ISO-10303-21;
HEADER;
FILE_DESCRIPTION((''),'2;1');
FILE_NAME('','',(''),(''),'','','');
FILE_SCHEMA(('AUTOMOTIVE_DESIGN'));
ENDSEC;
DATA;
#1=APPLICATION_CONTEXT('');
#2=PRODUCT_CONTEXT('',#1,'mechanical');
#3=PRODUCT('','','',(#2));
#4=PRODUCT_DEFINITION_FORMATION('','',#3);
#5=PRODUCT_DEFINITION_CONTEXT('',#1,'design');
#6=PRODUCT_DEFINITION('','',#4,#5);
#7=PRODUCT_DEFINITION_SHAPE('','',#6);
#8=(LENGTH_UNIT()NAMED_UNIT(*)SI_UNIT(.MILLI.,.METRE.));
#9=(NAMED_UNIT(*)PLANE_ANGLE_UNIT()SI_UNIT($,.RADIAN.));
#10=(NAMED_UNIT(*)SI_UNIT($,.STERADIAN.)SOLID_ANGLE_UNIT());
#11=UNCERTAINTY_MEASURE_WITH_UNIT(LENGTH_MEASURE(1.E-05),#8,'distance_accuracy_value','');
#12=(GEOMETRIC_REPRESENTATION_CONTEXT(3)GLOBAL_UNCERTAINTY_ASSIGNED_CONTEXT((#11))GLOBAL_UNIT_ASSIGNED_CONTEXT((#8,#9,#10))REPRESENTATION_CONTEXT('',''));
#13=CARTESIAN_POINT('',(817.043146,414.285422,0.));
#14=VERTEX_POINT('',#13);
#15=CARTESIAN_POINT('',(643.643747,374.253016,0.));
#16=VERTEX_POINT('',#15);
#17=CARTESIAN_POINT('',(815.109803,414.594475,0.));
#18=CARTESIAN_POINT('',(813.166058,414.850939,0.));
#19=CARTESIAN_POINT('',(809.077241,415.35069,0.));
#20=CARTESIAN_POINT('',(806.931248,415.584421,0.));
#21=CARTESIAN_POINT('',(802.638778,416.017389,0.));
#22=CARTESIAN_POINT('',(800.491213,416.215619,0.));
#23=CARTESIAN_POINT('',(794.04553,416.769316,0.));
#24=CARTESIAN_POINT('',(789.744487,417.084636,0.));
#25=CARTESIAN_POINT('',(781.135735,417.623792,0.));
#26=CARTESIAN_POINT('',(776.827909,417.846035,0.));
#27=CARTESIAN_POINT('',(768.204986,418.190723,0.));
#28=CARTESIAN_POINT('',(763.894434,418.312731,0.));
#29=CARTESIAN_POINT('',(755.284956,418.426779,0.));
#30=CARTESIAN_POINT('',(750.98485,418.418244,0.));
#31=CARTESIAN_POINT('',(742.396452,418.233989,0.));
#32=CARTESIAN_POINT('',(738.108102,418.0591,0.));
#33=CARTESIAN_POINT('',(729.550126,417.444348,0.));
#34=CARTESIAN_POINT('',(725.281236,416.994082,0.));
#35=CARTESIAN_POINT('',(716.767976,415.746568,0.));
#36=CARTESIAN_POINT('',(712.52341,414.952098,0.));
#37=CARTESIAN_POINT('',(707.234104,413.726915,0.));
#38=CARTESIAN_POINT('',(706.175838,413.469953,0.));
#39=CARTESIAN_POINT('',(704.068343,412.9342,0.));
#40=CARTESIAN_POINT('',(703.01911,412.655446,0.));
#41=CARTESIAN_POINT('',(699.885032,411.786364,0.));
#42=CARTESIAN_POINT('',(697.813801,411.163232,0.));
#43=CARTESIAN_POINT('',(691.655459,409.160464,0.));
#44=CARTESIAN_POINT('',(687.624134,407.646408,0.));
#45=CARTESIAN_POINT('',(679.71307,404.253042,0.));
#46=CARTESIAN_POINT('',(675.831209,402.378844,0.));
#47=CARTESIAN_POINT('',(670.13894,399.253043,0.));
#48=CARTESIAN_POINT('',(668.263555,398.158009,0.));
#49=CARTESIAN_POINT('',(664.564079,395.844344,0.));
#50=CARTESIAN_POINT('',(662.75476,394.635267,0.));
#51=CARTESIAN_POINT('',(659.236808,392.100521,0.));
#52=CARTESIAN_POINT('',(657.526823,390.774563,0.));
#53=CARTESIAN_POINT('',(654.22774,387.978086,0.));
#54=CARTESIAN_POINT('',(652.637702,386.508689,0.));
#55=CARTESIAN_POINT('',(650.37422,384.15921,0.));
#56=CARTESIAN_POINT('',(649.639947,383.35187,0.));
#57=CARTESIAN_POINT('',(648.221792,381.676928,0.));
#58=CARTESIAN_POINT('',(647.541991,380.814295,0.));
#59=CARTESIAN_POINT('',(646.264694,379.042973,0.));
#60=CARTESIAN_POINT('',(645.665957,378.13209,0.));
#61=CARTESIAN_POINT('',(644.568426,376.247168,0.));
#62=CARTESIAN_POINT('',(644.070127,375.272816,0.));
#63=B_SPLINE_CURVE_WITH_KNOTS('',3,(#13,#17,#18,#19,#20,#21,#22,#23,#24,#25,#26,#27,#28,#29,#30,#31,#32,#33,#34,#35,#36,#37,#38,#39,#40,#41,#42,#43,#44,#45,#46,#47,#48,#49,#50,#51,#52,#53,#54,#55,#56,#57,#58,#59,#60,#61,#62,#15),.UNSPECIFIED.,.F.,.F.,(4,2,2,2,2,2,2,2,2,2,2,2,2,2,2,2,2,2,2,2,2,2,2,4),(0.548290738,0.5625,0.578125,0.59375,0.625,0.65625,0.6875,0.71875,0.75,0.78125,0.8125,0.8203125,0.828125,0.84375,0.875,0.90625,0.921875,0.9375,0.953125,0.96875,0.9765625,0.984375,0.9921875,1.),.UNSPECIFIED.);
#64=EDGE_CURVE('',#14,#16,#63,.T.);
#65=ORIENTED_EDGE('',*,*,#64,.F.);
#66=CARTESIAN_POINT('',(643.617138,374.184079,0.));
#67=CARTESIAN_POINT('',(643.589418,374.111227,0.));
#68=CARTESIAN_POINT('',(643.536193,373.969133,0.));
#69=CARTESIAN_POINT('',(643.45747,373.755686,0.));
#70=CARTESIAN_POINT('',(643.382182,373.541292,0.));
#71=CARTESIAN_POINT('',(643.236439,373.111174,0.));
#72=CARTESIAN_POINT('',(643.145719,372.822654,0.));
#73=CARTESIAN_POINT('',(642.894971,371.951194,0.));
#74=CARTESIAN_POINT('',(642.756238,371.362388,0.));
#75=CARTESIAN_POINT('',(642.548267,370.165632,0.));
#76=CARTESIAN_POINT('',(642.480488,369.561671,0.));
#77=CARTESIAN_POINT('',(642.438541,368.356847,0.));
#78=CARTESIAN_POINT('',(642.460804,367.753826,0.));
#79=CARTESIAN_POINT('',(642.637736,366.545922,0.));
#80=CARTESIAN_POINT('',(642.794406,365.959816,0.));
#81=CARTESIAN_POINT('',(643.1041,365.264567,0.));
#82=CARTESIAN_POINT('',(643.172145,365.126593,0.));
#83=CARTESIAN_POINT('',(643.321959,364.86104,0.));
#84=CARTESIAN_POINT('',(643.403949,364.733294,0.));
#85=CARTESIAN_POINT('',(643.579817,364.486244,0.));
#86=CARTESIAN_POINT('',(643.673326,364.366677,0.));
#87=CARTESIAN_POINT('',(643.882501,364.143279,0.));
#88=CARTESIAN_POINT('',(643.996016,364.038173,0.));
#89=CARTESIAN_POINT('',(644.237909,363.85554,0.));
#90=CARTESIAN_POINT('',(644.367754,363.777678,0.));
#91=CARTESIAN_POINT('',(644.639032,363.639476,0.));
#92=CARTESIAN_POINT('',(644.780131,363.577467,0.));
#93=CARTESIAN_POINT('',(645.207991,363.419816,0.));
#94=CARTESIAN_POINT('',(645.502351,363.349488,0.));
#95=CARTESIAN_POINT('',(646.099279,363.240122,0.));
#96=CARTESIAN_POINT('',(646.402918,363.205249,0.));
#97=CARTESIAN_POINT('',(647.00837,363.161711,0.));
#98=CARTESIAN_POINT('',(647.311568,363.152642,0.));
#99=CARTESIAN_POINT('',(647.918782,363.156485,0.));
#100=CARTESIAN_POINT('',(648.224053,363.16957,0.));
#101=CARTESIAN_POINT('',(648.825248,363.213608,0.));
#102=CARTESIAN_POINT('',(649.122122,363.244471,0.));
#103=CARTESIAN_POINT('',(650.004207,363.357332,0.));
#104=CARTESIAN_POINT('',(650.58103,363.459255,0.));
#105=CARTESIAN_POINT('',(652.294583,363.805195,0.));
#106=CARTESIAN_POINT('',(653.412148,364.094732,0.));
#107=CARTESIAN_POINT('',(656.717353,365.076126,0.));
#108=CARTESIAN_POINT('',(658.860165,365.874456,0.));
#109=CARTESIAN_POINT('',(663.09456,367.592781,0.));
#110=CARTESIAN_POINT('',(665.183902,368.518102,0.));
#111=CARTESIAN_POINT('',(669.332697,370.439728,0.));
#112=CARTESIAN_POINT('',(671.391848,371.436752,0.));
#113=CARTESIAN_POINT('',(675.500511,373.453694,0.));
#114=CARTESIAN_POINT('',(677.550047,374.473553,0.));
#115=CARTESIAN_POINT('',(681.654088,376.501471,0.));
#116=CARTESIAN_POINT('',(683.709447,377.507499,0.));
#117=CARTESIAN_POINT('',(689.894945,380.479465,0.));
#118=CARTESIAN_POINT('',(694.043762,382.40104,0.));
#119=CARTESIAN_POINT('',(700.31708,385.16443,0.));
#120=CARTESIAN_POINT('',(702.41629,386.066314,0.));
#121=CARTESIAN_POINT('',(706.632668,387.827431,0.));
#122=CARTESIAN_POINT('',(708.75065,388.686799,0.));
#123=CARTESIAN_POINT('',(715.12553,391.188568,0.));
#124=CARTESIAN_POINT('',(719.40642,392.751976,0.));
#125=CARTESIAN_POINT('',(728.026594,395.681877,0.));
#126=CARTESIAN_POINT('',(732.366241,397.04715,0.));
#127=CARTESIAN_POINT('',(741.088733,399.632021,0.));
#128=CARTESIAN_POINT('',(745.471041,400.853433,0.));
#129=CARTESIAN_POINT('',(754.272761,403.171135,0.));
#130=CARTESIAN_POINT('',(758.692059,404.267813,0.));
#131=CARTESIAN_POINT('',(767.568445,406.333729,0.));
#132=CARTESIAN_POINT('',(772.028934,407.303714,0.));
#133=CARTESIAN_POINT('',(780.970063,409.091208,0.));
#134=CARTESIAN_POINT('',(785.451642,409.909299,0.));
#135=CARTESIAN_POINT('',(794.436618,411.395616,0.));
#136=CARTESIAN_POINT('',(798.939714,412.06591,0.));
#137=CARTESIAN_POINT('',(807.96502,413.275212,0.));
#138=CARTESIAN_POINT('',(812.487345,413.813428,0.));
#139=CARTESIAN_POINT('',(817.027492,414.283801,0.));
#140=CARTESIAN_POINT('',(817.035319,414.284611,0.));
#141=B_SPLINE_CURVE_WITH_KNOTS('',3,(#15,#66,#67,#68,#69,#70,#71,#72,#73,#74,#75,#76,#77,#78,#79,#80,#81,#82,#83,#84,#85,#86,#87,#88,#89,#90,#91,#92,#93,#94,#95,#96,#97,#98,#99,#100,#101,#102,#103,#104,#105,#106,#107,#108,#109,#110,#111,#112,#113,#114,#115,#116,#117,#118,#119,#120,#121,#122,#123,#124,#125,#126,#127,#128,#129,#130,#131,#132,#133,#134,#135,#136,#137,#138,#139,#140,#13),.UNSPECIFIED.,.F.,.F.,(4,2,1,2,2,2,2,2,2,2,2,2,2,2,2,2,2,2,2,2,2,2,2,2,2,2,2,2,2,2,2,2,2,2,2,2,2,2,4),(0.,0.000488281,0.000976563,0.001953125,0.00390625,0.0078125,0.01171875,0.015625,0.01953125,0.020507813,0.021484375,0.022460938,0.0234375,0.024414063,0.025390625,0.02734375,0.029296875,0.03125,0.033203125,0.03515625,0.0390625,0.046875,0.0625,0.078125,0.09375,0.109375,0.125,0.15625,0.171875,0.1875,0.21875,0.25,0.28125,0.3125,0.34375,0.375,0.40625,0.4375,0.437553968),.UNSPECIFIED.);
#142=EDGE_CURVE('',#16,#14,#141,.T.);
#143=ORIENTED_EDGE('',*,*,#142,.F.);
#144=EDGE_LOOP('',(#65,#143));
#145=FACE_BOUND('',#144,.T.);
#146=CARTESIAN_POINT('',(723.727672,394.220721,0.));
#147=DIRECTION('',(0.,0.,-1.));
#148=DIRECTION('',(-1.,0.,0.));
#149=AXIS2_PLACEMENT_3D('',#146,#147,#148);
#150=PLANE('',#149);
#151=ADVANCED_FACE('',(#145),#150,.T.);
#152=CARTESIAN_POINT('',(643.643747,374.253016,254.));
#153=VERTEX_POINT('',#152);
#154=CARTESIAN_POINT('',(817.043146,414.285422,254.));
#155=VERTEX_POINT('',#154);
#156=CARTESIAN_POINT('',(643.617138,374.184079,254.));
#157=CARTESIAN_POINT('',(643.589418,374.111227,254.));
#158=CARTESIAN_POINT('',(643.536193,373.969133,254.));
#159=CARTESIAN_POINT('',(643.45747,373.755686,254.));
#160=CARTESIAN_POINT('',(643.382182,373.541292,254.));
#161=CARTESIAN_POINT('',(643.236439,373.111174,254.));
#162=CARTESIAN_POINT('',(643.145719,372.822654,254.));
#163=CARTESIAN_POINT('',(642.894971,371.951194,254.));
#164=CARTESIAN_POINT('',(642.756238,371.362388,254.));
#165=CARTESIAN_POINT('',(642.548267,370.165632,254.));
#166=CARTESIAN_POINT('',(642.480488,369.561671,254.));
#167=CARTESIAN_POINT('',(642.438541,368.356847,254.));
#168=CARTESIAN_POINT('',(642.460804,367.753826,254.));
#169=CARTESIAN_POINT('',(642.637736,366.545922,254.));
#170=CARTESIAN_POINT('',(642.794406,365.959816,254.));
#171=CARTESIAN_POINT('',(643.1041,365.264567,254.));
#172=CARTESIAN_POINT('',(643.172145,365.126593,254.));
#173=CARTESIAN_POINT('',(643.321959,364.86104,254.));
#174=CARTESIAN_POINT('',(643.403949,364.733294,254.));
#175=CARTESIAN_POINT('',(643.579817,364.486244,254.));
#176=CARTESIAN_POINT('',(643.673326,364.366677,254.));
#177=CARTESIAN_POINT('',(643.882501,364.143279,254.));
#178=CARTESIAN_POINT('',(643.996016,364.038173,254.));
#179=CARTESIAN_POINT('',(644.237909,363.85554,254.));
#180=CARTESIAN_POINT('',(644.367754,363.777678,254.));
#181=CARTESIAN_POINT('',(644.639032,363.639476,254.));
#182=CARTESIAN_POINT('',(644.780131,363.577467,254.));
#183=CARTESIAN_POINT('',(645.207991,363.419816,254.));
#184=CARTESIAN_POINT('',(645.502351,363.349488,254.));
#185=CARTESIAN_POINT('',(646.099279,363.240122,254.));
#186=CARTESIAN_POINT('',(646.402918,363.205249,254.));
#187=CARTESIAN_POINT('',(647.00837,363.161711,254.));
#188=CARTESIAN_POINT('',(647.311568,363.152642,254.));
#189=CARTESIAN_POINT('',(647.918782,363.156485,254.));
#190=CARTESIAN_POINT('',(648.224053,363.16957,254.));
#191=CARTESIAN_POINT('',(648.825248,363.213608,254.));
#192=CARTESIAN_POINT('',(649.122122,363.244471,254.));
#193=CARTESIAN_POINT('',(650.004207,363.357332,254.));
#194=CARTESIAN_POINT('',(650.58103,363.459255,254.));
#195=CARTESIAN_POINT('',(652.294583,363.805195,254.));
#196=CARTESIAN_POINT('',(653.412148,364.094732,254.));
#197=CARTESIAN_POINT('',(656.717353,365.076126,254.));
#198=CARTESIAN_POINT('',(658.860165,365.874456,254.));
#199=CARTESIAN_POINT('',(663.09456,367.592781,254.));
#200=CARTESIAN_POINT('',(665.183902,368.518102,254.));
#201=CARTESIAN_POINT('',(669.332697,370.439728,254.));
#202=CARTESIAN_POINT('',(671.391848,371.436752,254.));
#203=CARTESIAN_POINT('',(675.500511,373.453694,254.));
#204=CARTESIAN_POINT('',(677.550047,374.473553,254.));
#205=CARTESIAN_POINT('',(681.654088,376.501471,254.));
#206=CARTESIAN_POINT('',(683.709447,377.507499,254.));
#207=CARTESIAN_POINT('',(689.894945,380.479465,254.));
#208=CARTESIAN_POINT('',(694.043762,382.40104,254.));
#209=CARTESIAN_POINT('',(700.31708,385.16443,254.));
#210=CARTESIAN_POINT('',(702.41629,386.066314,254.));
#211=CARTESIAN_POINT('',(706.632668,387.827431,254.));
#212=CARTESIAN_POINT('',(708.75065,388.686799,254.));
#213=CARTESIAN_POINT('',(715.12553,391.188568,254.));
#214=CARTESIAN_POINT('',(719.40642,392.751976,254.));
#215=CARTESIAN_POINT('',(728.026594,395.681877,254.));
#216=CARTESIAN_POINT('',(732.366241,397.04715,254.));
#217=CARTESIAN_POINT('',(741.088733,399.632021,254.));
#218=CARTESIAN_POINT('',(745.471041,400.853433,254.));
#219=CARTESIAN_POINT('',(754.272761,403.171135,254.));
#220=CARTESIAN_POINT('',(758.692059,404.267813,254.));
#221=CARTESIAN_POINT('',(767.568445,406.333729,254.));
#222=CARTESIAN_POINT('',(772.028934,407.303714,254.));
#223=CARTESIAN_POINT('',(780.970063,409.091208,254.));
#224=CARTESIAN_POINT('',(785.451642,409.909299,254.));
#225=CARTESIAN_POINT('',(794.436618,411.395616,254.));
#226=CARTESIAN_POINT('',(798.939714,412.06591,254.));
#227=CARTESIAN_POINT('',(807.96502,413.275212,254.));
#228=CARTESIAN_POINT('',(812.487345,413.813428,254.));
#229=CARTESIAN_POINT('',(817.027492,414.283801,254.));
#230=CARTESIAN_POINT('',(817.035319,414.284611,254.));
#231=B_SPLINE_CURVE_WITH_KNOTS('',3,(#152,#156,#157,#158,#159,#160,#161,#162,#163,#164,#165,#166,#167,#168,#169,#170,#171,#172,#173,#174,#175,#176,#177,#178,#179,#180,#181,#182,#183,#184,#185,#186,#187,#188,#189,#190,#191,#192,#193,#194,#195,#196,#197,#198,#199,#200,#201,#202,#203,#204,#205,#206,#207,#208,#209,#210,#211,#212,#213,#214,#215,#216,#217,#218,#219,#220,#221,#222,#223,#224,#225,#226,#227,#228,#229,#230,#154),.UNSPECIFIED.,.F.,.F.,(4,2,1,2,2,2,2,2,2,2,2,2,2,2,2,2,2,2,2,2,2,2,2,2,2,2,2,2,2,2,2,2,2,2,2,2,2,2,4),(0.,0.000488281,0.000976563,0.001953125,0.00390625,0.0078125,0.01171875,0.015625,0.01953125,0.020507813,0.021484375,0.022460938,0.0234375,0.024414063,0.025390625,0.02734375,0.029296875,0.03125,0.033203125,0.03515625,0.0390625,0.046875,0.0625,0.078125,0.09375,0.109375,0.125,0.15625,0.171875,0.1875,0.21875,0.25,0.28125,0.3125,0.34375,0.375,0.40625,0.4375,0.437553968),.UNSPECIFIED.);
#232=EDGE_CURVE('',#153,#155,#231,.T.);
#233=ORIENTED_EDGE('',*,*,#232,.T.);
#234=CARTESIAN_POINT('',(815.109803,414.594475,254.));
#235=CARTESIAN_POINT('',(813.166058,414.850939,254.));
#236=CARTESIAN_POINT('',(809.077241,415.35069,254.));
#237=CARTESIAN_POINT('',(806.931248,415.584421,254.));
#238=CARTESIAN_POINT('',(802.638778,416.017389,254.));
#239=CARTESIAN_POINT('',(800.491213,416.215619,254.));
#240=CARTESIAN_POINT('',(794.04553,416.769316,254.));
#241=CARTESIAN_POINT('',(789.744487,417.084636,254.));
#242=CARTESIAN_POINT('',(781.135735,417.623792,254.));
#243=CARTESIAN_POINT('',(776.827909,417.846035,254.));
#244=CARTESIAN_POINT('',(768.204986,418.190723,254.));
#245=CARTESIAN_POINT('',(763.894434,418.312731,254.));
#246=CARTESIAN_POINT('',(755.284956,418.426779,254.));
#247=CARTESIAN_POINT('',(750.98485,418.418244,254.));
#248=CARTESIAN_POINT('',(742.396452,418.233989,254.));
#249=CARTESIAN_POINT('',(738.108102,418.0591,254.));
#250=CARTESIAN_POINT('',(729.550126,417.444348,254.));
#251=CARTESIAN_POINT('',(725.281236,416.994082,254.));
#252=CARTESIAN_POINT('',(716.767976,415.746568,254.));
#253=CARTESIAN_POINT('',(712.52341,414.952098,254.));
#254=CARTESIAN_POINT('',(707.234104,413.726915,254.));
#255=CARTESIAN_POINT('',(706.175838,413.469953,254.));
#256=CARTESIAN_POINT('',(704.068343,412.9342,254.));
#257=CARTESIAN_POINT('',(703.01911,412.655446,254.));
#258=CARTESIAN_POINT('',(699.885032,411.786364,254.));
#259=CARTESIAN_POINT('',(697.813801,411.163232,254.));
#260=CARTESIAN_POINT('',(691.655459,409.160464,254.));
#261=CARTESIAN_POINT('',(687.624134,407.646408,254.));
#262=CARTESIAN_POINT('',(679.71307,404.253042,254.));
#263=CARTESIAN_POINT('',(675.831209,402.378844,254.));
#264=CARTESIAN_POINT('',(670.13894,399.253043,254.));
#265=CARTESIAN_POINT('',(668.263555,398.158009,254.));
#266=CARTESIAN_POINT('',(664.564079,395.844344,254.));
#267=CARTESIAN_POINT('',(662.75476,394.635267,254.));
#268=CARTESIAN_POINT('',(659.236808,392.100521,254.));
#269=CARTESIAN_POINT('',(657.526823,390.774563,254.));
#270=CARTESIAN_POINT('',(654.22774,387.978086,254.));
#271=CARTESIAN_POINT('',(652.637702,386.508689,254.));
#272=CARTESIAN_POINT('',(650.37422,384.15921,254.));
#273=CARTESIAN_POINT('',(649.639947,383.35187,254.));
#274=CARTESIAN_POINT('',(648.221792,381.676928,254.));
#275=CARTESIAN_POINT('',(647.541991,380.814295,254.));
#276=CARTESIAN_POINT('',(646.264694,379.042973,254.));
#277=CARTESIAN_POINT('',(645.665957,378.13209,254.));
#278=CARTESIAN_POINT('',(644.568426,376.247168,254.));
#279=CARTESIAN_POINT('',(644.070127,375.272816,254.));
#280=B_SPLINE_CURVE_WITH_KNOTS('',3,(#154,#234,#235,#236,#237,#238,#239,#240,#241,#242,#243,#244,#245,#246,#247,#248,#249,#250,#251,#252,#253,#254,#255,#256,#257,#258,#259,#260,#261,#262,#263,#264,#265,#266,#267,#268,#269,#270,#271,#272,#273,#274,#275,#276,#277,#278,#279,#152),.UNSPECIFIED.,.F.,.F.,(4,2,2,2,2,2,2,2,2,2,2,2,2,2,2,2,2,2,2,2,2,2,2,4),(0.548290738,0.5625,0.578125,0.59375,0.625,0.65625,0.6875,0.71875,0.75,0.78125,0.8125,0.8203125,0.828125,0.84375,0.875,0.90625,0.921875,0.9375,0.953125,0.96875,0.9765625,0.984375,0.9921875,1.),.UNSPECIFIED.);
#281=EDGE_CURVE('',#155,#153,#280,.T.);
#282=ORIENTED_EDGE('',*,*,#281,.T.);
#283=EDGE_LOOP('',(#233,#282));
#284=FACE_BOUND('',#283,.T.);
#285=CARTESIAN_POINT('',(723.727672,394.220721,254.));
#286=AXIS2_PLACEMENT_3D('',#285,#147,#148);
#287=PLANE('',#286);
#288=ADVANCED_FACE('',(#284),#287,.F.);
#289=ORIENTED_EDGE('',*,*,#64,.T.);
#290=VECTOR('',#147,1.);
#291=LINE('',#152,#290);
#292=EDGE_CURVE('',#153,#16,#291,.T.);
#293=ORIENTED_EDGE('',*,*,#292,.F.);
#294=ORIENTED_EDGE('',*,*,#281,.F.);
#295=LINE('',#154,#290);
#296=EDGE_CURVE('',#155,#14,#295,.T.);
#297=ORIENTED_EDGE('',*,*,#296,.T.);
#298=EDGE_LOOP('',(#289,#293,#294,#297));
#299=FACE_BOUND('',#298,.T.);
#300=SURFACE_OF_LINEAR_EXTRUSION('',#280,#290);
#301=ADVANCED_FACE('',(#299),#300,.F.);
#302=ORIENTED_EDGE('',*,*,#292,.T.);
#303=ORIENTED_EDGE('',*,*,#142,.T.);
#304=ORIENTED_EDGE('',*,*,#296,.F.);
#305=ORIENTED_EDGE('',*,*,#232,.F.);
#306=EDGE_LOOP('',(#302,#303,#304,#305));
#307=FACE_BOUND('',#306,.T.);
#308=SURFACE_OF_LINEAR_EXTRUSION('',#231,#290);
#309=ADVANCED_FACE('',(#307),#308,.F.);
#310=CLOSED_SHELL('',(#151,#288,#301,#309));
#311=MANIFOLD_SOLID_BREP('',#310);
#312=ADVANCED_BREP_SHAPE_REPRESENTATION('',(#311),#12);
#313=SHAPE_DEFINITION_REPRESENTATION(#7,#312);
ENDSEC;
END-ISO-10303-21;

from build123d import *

# Parameters (mm, degrees)
BOSS_EXTRUDE1_DEPTH = 254


with BuildPart() as part:
    # Sketch4 → Boss-Extrude1 (new body)
    with BuildSketch(Plane.XY):
        with BuildLine():
            add(Edge.make_bspline(
                [(643.643746682, 374.253016038), (644.070127169, 375.272815676), (644.568425729, 376.247168181), (645.66595731, 378.132089752), (646.264693913, 379.04297252), (647.541990898, 380.814295075), (648.221792144, 381.676928327), (649.639946963, 383.35186971), (650.374220485, 384.159209796), (652.637702456, 386.508688506), (654.227739569, 387.97808557), (657.526822975, 390.774563344), (659.236808225, 392.100521211), (662.754760091, 394.635266564), (664.564078818, 395.844343958), (668.263555084, 398.158009043), (670.138940349, 399.253043278), (675.831208738, 402.378843705), (679.71306976, 404.25304174), (687.624134138, 407.646407586), (691.655458911, 409.160463714), (697.813800993, 411.163231515), (699.885031735, 411.786364282), (703.019109794, 412.655446416), (704.068342859, 412.934200147), (706.175837552, 413.46995274), (707.234104449, 413.726915239), (712.523410363, 414.952098085), (716.767976429, 415.746567548), (725.281236207, 416.994082048), (729.550126331, 417.444347706), (738.108101863, 418.059100463), (742.396452254, 418.233988614), (750.984850002, 418.418244009), (755.284956147, 418.426779362), (763.894434315, 418.312730873), (768.20498599, 418.190722932), (776.827909215, 417.846034605), (781.135734712, 417.62379177), (789.744487104, 417.084636103), (794.045530081, 416.769316274), (800.491212623, 416.215618502), (802.638777841, 416.01738948), (806.931247773, 415.584421162), (809.077241324, 415.350690101), (813.166057632, 414.850938767), (815.109802966, 414.594474514), (817.043146266, 414.285421762)],
                knots=[0.548290738, 0.548290738, 0.548290738, 0.548290738, 0.556103238, 0.556103238, 0.563915738, 0.563915738, 0.571728238, 0.571728238, 0.579540738, 0.579540738, 0.595165738, 0.595165738, 0.610790738, 0.610790738, 0.626415738, 0.626415738, 0.642040738, 0.642040738, 0.673290738, 0.673290738, 0.704540738, 0.704540738, 0.720165738, 0.720165738, 0.727978238, 0.727978238, 0.735790738, 0.735790738, 0.767040738, 0.767040738, 0.798290738, 0.798290738, 0.829540738, 0.829540738, 0.860790738, 0.860790738, 0.892040738, 0.892040738, 0.923290738, 0.923290738, 0.954540738, 0.954540738, 0.970165738, 0.970165738, 0.985790738, 0.985790738, 1, 1, 1, 1], degree=3))
            add(Edge.make_bspline(
                [(643.643746682, 374.253016038), (643.617138135, 374.184078824), (643.589417917, 374.111226627), (643.536192924, 373.969133145), (643.457469514, 373.755686011), (643.382181674, 373.541292436), (643.236438857, 373.111173912), (643.145718636, 372.822653661), (642.894970722, 371.951194052), (642.756237725, 371.362388362), (642.548266529, 370.165632327), (642.480488302, 369.561670508), (642.438540803, 368.356846725), (642.460803612, 367.753826324), (642.637736209, 366.545922031), (642.79440566, 365.95981624), (643.104100127, 365.264567081), (643.17214484, 365.126592853), (643.32195874, 364.861040293), (643.403948785, 364.733293977), (643.579817163, 364.486243652), (643.673325653, 364.366677003), (643.882500621, 364.143278901), (643.996016029, 364.038173213), (644.237909259, 363.855539706), (644.367754436, 363.777678285), (644.639031983, 363.639476204), (644.780130601, 363.57746722), (645.207990721, 363.419816375), (645.502350869, 363.349487624), (646.099278537, 363.240122132), (646.402918322, 363.205248637), (647.008369674, 363.16171122), (647.311567796, 363.152642426), (647.918781712, 363.156484916), (648.224053481, 363.169569872), (648.825248237, 363.21360816), (649.122121972, 363.244471002), (650.004207275, 363.357332398), (650.581029895, 363.45925481), (652.294582988, 363.805194822), (653.412147539, 364.094731727), (656.717353444, 365.076126423), (658.860164815, 365.874455979), (663.094560197, 367.592780706), (665.183901776, 368.518101678), (669.332696868, 370.439728147), (671.391847766, 371.43675236), (675.500510569, 373.453693511), (677.550046799, 374.473552679), (681.654087685, 376.50147094), (683.7094473, 377.507499497), (689.894945053, 380.47946502), (694.0437618, 382.401040058), (700.317080433, 385.164429906), (702.41629012, 386.066314001), (706.632667908, 387.827430735), (708.750650322, 388.686798579), (715.125529521, 391.188567743), (719.406419698, 392.751975841), (728.026594361, 395.681877415), (732.366240875, 397.047150079), (741.088732972, 399.632021481), (745.471041032, 400.853432832), (754.27276127, 403.171134724), (758.692058589, 404.267812586), (767.568444841, 406.333729163), (772.028934215, 407.303713772), (780.970063112, 409.091207648), (785.45164199, 409.90929889), (794.436618151, 411.395615522), (798.939714211, 412.065909951), (807.965019934, 413.275211663), (812.487344734, 413.813428092), (817.027491887, 414.283800548), (817.035319061, 414.284611258), (817.043146266, 414.285421762)],
                knots=[0, 0, 0, 0, 0.000488281, 0.000488281, 0.000976563, 0.001953125, 0.001953125, 0.00390625, 0.00390625, 0.0078125, 0.0078125, 0.01171875, 0.01171875, 0.015625, 0.015625, 0.01953125, 0.01953125, 0.020507813, 0.020507813, 0.021484375, 0.021484375, 0.022460938, 0.022460938, 0.0234375, 0.0234375, 0.024414063, 0.024414063, 0.025390625, 0.025390625, 0.02734375, 0.02734375, 0.029296875, 0.029296875, 0.03125, 0.03125, 0.033203125, 0.033203125, 0.03515625, 0.03515625, 0.0390625, 0.0390625, 0.046875, 0.046875, 0.0625, 0.0625, 0.078125, 0.078125, 0.09375, 0.09375, 0.109375, 0.109375, 0.125, 0.125, 0.15625, 0.15625, 0.171875, 0.171875, 0.1875, 0.1875, 0.21875, 0.21875, 0.25, 0.25, 0.28125, 0.28125, 0.3125, 0.3125, 0.34375, 0.34375, 0.375, 0.375, 0.40625, 0.40625, 0.4375, 0.4375, 0.437553968, 0.437553968, 0.437553968, 0.437553968], degree=3))
        make_face()
    extrude(amount=BOSS_EXTRUDE1_DEPTH)


solid = part.part
